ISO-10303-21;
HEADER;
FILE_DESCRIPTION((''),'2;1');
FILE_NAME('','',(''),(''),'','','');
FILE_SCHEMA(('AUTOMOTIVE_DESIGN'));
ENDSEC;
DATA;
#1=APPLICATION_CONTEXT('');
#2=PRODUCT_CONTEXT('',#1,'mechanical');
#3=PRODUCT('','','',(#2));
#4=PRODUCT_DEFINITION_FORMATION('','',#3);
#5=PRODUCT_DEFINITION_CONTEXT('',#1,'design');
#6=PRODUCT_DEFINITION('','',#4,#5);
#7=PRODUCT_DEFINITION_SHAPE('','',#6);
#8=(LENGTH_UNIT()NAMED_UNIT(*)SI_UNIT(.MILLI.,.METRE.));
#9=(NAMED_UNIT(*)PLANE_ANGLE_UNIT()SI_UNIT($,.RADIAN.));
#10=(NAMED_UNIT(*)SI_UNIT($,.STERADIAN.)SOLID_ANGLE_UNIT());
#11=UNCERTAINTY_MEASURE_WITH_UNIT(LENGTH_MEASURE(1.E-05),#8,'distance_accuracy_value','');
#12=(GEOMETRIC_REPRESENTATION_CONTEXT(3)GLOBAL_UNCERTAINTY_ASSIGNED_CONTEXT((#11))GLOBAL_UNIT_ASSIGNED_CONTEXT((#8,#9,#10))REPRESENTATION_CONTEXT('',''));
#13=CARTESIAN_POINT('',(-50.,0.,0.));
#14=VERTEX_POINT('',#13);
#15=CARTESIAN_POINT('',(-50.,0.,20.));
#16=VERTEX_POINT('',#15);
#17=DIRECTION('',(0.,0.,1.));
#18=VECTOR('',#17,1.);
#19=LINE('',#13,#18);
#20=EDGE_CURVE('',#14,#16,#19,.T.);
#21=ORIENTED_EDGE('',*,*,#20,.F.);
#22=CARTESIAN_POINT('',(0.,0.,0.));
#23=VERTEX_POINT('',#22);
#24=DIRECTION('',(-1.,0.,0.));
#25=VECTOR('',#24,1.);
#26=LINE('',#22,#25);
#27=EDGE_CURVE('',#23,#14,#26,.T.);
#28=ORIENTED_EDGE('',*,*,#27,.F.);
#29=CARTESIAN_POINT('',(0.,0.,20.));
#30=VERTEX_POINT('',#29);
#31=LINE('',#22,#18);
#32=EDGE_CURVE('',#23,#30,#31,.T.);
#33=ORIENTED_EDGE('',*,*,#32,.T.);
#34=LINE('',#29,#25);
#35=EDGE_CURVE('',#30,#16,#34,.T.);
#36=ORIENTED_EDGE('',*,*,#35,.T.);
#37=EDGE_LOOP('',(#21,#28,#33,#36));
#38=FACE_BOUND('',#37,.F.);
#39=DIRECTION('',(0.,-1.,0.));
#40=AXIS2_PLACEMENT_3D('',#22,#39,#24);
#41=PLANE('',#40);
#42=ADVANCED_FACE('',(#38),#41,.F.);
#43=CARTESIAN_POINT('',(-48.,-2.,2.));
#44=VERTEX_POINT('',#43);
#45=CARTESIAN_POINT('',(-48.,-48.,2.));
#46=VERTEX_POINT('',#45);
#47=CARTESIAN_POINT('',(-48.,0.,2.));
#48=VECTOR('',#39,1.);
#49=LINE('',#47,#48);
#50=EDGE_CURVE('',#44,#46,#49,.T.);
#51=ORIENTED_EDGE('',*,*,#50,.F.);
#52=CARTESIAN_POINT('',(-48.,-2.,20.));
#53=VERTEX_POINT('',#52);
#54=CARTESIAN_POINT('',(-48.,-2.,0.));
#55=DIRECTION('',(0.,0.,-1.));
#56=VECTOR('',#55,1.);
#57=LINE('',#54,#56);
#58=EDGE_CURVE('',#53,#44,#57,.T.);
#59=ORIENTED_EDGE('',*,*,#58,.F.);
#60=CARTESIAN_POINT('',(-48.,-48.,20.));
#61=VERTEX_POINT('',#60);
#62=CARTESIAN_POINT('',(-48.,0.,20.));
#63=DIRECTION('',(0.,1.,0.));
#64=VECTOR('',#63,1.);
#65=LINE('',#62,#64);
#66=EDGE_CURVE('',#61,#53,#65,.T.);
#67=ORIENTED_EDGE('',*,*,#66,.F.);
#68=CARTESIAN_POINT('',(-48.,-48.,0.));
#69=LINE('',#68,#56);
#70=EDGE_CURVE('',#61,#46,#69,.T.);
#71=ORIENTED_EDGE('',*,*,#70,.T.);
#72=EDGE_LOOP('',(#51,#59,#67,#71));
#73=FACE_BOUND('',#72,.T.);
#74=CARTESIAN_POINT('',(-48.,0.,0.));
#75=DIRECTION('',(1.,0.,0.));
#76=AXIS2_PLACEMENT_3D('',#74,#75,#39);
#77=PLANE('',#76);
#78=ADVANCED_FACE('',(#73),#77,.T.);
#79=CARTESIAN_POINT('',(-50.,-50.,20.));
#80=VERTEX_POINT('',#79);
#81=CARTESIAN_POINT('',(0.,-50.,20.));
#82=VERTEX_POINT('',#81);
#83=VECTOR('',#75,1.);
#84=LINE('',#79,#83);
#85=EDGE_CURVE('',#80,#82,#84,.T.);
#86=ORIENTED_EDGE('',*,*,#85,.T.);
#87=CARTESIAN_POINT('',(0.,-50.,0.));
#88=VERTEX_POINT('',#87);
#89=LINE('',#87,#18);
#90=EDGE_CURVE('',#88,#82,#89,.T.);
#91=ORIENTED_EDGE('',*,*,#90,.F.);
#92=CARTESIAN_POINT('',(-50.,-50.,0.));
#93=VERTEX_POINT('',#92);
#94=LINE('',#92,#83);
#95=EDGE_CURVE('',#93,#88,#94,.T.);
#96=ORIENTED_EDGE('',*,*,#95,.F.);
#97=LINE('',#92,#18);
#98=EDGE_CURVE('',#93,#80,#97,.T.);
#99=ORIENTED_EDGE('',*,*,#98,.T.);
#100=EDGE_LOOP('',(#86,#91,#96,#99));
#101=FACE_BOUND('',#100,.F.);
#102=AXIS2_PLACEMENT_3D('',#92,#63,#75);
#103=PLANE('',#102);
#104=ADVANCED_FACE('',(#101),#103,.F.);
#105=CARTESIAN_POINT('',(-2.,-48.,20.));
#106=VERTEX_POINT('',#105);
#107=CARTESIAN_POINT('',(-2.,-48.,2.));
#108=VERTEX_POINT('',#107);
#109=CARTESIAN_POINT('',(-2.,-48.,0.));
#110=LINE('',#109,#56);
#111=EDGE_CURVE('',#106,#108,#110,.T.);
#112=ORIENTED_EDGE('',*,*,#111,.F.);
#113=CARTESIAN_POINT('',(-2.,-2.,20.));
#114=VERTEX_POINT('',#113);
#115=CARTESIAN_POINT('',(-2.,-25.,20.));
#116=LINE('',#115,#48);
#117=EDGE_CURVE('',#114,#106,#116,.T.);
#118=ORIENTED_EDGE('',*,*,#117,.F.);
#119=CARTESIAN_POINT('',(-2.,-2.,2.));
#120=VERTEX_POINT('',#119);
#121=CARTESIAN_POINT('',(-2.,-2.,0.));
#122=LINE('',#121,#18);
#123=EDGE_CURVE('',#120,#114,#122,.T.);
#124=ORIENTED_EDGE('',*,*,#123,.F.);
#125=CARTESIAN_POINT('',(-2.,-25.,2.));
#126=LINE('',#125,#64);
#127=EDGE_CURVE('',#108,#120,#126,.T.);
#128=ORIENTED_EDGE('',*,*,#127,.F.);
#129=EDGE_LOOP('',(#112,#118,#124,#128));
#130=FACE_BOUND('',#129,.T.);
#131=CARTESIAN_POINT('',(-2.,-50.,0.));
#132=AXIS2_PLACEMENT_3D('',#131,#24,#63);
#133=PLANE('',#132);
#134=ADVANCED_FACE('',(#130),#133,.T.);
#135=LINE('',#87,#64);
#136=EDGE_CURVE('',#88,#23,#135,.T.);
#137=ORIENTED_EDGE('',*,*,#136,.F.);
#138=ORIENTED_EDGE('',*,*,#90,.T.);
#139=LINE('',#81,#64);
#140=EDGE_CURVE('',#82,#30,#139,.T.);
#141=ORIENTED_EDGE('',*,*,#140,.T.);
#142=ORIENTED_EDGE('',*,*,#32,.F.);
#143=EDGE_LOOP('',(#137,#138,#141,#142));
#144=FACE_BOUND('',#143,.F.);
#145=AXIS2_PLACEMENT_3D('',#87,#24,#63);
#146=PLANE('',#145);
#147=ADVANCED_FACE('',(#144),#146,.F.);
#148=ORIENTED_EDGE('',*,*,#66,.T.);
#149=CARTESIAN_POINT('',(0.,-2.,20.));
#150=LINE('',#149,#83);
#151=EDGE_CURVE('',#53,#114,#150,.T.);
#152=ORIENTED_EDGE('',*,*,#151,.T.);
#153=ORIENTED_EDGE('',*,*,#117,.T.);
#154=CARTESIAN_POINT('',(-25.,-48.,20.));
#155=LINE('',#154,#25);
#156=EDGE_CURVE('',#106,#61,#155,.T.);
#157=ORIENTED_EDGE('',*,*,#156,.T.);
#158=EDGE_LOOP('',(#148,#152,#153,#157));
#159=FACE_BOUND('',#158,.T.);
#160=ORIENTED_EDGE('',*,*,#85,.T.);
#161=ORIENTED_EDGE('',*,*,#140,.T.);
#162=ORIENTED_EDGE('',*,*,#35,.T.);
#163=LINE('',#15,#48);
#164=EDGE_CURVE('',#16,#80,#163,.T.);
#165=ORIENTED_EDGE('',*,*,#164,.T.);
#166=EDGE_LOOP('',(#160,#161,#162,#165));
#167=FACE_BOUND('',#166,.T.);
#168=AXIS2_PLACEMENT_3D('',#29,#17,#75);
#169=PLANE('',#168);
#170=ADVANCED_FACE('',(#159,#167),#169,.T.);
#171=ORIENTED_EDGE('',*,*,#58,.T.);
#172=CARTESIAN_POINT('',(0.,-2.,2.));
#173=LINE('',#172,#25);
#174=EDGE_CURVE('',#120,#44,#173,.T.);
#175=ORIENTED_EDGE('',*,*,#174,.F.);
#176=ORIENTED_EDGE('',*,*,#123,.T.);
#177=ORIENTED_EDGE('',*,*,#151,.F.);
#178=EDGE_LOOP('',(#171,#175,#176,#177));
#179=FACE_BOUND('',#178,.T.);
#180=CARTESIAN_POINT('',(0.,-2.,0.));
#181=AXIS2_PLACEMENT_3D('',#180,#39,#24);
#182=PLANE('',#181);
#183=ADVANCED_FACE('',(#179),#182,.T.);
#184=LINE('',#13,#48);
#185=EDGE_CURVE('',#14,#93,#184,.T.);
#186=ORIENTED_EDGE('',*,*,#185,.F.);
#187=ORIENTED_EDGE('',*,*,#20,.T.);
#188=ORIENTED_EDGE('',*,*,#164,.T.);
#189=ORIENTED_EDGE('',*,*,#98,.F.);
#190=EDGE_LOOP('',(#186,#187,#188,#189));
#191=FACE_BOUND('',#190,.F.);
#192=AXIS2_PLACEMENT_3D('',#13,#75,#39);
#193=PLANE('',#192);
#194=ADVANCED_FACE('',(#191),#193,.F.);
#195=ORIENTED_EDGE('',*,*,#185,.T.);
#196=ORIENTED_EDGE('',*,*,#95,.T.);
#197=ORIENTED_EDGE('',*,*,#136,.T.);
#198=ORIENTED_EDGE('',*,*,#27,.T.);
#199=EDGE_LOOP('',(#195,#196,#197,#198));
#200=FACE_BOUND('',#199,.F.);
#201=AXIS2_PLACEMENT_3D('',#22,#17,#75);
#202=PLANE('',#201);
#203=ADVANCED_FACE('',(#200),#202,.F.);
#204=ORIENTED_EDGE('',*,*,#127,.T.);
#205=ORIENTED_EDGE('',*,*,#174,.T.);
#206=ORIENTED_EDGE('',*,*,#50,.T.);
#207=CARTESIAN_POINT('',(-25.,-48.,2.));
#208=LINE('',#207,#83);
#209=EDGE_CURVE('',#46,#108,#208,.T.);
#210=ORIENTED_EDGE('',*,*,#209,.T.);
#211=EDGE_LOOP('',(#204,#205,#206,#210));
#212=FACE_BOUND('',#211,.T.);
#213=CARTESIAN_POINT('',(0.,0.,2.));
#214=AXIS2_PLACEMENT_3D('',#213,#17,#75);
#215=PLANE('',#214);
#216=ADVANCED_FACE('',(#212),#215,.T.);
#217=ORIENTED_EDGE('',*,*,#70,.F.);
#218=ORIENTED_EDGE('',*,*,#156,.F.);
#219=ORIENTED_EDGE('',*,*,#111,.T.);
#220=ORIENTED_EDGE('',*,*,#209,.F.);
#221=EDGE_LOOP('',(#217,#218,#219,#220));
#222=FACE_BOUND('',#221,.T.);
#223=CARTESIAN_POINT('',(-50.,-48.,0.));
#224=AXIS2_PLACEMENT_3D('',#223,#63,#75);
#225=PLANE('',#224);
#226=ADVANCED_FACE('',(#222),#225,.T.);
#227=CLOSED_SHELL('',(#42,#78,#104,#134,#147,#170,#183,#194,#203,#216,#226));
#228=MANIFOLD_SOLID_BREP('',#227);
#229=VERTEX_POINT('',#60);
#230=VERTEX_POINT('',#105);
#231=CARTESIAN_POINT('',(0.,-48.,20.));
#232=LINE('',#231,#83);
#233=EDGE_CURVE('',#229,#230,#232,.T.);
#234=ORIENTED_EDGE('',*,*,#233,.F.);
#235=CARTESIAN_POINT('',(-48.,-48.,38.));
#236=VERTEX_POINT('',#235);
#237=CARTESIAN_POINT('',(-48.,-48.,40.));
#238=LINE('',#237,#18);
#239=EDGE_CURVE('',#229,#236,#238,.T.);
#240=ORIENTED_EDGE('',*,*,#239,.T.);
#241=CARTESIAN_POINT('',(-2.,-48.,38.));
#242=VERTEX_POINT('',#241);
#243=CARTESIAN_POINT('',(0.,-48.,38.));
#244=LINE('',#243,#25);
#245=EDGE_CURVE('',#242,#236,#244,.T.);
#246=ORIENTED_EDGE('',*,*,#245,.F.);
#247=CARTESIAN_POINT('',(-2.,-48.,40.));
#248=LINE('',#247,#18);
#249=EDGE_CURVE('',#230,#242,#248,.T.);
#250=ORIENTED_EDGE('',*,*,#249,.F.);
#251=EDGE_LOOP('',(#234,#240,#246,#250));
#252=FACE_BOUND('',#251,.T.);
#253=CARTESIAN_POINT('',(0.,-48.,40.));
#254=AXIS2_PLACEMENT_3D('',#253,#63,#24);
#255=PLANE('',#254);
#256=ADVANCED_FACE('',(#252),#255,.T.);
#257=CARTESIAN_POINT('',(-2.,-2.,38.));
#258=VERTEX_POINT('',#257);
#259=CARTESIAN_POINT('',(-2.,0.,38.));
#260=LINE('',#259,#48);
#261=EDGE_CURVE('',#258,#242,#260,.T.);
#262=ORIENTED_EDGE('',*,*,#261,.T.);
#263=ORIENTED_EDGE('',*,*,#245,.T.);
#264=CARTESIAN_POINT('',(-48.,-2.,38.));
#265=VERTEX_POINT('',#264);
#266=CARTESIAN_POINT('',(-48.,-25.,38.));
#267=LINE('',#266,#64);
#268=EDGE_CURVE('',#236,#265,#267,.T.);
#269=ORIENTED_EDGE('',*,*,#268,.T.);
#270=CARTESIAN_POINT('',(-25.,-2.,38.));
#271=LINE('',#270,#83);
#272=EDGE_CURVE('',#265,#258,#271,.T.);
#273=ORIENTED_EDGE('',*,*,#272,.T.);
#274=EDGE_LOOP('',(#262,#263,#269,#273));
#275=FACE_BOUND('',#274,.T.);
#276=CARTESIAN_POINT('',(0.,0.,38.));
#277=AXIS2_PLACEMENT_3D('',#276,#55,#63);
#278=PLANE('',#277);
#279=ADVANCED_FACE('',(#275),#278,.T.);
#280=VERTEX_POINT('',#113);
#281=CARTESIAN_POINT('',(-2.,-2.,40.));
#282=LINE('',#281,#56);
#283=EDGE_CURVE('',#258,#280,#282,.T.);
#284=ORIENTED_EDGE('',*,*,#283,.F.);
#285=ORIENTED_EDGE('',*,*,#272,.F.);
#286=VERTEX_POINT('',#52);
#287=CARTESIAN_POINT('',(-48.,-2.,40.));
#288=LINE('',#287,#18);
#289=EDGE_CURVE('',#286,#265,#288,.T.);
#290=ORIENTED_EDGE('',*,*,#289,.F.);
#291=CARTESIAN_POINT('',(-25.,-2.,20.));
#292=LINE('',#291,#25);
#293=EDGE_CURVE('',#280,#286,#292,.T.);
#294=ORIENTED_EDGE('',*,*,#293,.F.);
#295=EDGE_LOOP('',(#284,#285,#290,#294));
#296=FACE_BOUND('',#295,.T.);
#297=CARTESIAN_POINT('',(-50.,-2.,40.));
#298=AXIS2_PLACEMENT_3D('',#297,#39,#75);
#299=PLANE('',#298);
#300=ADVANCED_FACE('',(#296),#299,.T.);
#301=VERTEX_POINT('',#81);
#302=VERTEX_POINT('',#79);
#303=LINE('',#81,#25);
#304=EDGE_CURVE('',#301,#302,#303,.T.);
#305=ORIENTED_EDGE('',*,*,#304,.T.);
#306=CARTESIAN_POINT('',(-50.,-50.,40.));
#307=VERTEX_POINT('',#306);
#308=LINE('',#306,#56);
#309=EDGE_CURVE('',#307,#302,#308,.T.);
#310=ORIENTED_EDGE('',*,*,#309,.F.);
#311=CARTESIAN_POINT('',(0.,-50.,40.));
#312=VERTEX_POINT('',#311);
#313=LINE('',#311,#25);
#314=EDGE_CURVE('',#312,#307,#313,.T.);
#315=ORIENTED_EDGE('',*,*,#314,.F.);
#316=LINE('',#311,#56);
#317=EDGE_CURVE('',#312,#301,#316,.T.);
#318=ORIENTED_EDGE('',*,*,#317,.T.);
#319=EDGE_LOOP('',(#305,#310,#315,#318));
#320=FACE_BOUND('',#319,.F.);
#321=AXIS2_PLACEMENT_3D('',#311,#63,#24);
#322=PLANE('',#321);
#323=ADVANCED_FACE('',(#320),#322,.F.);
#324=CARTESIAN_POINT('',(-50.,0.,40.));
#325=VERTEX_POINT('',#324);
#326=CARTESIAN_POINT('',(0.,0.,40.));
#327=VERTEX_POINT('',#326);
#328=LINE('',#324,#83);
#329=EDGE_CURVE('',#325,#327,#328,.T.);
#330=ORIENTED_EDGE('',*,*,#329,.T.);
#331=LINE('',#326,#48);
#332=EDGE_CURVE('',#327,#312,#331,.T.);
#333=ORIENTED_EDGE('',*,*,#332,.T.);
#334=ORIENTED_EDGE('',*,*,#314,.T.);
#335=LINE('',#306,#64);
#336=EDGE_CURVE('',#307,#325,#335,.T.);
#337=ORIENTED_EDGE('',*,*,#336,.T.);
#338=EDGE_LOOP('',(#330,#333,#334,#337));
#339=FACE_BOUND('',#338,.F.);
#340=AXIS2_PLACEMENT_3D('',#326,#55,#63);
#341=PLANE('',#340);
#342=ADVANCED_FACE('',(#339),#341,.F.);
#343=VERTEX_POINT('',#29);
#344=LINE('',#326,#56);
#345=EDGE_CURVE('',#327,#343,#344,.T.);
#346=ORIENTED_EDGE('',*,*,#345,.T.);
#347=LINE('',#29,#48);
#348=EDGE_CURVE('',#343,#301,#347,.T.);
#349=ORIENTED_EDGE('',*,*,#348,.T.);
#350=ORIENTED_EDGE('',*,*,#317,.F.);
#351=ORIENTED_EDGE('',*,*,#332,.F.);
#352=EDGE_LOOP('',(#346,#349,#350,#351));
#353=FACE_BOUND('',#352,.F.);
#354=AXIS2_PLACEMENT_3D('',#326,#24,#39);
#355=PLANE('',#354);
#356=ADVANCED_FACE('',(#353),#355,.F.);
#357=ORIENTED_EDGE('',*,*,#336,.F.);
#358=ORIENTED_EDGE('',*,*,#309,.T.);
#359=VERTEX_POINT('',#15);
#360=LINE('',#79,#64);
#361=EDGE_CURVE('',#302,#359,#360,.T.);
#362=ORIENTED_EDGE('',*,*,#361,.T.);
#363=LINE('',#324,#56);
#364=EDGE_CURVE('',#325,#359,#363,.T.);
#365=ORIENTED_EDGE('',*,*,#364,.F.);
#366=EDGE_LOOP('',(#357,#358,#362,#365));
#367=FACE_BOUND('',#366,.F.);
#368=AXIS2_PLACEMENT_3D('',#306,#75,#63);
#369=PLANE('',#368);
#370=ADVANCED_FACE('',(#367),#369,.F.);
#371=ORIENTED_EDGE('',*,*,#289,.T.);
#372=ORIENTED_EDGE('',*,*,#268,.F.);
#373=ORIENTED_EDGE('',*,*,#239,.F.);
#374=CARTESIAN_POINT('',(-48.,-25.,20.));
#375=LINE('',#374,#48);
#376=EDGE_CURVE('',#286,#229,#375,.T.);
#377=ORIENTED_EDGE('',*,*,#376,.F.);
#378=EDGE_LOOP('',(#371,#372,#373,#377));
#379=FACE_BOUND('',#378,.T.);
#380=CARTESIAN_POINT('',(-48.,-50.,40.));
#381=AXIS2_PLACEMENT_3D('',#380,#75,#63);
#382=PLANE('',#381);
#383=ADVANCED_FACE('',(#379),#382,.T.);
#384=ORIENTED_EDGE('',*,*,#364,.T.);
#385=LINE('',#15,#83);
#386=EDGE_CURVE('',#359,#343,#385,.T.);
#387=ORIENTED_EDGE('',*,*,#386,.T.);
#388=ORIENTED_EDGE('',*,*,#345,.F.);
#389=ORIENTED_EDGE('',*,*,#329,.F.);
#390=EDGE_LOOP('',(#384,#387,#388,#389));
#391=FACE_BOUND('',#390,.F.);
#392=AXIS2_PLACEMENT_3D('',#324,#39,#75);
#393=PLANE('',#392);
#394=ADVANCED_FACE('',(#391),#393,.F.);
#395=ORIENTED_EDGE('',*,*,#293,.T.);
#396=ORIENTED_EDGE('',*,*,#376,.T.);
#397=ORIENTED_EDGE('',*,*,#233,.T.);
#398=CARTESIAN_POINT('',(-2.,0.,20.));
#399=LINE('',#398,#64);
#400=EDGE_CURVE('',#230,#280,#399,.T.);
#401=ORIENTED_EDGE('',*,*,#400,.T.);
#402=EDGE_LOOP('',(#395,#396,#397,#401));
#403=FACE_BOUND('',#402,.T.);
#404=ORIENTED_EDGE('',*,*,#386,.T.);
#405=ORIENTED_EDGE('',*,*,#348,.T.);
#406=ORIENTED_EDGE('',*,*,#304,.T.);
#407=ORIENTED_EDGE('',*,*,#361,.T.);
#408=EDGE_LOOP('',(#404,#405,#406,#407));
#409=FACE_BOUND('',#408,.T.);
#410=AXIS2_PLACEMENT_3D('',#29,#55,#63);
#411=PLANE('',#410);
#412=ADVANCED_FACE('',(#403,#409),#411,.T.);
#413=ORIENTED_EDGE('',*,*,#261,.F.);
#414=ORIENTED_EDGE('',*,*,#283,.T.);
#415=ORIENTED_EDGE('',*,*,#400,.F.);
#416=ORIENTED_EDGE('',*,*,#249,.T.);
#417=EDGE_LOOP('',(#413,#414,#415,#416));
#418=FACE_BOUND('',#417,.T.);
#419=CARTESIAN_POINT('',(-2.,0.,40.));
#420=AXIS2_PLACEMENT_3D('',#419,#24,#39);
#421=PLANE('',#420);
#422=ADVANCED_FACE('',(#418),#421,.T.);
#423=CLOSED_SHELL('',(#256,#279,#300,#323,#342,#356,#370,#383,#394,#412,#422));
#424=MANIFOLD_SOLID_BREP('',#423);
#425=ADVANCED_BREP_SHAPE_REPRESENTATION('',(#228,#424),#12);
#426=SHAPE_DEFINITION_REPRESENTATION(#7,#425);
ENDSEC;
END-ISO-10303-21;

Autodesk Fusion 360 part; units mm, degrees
sketch "Box Width" plane through (0, 0, 0) normal (0, 0, 1) x (1, 0, 0) in component "BoxBottom"
  line L0 (0, 0) -> (-50, 0)
  line L1 (-50, 0) -> (-50, -50)
  line L2 (-50, -50) -> (0, -50)
  line L3 (0, -50) -> (0, 0)
  dimension "d3" = 50
  dimension "d4" = 50
extrude "Extrude1" add sketch "Box Width" along normal blind 20 makes body 1 in component "BoxBottom"
shell "Shell1" thickness 2 removed faces 1 at (-33.3333, -16.6667, 20) on bodies 1 in component "BoxBottom"
sketch "Box Width (2)" plane through (0, 0, 0) normal (0, 0, 1) x (1, 0, 0) in component "BoxTop"
  line L0 (0, 0) -> (-50, 0)
  line L1 (-50, 0) -> (-50, -50)
  line L2 (-50, -50) -> (0, -50)
  line L3 (0, -50) -> (0, 0)
  dimension "d3_1" = 50
  dimension "d4_1" = 50
extrude "Extrude1'" add sketch "Box Width (2)" along normal blind 20 separate body makes body 2 in component "BoxTop"
shell "Shell1'" thickness 2 removed faces 1 at (-33.3333, -16.6667, 20) on bodies 2 in component "BoxTop"
component "BoxBottom" placed x (1, 0, 0) y (0, 1, 0) z (0, 0, 1) at (0, 0, 0)
component "BoxTop" placed x (0, 1, 0) y (1, 0, 0) z (0, 0, -1) at (0, 0, 40)
equation "Boxwidth = 50 mm"
equation "Boxheight = 40 mm"
equation "d3 = Boxwidth"
equation "d4 = Boxwidth"
equation "d5 = Boxheight / 2"
equation "Wallthickness = 2 mm"
equation "d3_1 = Boxwidth"
equation "d4_1 = Boxwidth"
equation "d5_1 = Boxheight / 2"
equation "Wallthickness_1 = 2 mm"
